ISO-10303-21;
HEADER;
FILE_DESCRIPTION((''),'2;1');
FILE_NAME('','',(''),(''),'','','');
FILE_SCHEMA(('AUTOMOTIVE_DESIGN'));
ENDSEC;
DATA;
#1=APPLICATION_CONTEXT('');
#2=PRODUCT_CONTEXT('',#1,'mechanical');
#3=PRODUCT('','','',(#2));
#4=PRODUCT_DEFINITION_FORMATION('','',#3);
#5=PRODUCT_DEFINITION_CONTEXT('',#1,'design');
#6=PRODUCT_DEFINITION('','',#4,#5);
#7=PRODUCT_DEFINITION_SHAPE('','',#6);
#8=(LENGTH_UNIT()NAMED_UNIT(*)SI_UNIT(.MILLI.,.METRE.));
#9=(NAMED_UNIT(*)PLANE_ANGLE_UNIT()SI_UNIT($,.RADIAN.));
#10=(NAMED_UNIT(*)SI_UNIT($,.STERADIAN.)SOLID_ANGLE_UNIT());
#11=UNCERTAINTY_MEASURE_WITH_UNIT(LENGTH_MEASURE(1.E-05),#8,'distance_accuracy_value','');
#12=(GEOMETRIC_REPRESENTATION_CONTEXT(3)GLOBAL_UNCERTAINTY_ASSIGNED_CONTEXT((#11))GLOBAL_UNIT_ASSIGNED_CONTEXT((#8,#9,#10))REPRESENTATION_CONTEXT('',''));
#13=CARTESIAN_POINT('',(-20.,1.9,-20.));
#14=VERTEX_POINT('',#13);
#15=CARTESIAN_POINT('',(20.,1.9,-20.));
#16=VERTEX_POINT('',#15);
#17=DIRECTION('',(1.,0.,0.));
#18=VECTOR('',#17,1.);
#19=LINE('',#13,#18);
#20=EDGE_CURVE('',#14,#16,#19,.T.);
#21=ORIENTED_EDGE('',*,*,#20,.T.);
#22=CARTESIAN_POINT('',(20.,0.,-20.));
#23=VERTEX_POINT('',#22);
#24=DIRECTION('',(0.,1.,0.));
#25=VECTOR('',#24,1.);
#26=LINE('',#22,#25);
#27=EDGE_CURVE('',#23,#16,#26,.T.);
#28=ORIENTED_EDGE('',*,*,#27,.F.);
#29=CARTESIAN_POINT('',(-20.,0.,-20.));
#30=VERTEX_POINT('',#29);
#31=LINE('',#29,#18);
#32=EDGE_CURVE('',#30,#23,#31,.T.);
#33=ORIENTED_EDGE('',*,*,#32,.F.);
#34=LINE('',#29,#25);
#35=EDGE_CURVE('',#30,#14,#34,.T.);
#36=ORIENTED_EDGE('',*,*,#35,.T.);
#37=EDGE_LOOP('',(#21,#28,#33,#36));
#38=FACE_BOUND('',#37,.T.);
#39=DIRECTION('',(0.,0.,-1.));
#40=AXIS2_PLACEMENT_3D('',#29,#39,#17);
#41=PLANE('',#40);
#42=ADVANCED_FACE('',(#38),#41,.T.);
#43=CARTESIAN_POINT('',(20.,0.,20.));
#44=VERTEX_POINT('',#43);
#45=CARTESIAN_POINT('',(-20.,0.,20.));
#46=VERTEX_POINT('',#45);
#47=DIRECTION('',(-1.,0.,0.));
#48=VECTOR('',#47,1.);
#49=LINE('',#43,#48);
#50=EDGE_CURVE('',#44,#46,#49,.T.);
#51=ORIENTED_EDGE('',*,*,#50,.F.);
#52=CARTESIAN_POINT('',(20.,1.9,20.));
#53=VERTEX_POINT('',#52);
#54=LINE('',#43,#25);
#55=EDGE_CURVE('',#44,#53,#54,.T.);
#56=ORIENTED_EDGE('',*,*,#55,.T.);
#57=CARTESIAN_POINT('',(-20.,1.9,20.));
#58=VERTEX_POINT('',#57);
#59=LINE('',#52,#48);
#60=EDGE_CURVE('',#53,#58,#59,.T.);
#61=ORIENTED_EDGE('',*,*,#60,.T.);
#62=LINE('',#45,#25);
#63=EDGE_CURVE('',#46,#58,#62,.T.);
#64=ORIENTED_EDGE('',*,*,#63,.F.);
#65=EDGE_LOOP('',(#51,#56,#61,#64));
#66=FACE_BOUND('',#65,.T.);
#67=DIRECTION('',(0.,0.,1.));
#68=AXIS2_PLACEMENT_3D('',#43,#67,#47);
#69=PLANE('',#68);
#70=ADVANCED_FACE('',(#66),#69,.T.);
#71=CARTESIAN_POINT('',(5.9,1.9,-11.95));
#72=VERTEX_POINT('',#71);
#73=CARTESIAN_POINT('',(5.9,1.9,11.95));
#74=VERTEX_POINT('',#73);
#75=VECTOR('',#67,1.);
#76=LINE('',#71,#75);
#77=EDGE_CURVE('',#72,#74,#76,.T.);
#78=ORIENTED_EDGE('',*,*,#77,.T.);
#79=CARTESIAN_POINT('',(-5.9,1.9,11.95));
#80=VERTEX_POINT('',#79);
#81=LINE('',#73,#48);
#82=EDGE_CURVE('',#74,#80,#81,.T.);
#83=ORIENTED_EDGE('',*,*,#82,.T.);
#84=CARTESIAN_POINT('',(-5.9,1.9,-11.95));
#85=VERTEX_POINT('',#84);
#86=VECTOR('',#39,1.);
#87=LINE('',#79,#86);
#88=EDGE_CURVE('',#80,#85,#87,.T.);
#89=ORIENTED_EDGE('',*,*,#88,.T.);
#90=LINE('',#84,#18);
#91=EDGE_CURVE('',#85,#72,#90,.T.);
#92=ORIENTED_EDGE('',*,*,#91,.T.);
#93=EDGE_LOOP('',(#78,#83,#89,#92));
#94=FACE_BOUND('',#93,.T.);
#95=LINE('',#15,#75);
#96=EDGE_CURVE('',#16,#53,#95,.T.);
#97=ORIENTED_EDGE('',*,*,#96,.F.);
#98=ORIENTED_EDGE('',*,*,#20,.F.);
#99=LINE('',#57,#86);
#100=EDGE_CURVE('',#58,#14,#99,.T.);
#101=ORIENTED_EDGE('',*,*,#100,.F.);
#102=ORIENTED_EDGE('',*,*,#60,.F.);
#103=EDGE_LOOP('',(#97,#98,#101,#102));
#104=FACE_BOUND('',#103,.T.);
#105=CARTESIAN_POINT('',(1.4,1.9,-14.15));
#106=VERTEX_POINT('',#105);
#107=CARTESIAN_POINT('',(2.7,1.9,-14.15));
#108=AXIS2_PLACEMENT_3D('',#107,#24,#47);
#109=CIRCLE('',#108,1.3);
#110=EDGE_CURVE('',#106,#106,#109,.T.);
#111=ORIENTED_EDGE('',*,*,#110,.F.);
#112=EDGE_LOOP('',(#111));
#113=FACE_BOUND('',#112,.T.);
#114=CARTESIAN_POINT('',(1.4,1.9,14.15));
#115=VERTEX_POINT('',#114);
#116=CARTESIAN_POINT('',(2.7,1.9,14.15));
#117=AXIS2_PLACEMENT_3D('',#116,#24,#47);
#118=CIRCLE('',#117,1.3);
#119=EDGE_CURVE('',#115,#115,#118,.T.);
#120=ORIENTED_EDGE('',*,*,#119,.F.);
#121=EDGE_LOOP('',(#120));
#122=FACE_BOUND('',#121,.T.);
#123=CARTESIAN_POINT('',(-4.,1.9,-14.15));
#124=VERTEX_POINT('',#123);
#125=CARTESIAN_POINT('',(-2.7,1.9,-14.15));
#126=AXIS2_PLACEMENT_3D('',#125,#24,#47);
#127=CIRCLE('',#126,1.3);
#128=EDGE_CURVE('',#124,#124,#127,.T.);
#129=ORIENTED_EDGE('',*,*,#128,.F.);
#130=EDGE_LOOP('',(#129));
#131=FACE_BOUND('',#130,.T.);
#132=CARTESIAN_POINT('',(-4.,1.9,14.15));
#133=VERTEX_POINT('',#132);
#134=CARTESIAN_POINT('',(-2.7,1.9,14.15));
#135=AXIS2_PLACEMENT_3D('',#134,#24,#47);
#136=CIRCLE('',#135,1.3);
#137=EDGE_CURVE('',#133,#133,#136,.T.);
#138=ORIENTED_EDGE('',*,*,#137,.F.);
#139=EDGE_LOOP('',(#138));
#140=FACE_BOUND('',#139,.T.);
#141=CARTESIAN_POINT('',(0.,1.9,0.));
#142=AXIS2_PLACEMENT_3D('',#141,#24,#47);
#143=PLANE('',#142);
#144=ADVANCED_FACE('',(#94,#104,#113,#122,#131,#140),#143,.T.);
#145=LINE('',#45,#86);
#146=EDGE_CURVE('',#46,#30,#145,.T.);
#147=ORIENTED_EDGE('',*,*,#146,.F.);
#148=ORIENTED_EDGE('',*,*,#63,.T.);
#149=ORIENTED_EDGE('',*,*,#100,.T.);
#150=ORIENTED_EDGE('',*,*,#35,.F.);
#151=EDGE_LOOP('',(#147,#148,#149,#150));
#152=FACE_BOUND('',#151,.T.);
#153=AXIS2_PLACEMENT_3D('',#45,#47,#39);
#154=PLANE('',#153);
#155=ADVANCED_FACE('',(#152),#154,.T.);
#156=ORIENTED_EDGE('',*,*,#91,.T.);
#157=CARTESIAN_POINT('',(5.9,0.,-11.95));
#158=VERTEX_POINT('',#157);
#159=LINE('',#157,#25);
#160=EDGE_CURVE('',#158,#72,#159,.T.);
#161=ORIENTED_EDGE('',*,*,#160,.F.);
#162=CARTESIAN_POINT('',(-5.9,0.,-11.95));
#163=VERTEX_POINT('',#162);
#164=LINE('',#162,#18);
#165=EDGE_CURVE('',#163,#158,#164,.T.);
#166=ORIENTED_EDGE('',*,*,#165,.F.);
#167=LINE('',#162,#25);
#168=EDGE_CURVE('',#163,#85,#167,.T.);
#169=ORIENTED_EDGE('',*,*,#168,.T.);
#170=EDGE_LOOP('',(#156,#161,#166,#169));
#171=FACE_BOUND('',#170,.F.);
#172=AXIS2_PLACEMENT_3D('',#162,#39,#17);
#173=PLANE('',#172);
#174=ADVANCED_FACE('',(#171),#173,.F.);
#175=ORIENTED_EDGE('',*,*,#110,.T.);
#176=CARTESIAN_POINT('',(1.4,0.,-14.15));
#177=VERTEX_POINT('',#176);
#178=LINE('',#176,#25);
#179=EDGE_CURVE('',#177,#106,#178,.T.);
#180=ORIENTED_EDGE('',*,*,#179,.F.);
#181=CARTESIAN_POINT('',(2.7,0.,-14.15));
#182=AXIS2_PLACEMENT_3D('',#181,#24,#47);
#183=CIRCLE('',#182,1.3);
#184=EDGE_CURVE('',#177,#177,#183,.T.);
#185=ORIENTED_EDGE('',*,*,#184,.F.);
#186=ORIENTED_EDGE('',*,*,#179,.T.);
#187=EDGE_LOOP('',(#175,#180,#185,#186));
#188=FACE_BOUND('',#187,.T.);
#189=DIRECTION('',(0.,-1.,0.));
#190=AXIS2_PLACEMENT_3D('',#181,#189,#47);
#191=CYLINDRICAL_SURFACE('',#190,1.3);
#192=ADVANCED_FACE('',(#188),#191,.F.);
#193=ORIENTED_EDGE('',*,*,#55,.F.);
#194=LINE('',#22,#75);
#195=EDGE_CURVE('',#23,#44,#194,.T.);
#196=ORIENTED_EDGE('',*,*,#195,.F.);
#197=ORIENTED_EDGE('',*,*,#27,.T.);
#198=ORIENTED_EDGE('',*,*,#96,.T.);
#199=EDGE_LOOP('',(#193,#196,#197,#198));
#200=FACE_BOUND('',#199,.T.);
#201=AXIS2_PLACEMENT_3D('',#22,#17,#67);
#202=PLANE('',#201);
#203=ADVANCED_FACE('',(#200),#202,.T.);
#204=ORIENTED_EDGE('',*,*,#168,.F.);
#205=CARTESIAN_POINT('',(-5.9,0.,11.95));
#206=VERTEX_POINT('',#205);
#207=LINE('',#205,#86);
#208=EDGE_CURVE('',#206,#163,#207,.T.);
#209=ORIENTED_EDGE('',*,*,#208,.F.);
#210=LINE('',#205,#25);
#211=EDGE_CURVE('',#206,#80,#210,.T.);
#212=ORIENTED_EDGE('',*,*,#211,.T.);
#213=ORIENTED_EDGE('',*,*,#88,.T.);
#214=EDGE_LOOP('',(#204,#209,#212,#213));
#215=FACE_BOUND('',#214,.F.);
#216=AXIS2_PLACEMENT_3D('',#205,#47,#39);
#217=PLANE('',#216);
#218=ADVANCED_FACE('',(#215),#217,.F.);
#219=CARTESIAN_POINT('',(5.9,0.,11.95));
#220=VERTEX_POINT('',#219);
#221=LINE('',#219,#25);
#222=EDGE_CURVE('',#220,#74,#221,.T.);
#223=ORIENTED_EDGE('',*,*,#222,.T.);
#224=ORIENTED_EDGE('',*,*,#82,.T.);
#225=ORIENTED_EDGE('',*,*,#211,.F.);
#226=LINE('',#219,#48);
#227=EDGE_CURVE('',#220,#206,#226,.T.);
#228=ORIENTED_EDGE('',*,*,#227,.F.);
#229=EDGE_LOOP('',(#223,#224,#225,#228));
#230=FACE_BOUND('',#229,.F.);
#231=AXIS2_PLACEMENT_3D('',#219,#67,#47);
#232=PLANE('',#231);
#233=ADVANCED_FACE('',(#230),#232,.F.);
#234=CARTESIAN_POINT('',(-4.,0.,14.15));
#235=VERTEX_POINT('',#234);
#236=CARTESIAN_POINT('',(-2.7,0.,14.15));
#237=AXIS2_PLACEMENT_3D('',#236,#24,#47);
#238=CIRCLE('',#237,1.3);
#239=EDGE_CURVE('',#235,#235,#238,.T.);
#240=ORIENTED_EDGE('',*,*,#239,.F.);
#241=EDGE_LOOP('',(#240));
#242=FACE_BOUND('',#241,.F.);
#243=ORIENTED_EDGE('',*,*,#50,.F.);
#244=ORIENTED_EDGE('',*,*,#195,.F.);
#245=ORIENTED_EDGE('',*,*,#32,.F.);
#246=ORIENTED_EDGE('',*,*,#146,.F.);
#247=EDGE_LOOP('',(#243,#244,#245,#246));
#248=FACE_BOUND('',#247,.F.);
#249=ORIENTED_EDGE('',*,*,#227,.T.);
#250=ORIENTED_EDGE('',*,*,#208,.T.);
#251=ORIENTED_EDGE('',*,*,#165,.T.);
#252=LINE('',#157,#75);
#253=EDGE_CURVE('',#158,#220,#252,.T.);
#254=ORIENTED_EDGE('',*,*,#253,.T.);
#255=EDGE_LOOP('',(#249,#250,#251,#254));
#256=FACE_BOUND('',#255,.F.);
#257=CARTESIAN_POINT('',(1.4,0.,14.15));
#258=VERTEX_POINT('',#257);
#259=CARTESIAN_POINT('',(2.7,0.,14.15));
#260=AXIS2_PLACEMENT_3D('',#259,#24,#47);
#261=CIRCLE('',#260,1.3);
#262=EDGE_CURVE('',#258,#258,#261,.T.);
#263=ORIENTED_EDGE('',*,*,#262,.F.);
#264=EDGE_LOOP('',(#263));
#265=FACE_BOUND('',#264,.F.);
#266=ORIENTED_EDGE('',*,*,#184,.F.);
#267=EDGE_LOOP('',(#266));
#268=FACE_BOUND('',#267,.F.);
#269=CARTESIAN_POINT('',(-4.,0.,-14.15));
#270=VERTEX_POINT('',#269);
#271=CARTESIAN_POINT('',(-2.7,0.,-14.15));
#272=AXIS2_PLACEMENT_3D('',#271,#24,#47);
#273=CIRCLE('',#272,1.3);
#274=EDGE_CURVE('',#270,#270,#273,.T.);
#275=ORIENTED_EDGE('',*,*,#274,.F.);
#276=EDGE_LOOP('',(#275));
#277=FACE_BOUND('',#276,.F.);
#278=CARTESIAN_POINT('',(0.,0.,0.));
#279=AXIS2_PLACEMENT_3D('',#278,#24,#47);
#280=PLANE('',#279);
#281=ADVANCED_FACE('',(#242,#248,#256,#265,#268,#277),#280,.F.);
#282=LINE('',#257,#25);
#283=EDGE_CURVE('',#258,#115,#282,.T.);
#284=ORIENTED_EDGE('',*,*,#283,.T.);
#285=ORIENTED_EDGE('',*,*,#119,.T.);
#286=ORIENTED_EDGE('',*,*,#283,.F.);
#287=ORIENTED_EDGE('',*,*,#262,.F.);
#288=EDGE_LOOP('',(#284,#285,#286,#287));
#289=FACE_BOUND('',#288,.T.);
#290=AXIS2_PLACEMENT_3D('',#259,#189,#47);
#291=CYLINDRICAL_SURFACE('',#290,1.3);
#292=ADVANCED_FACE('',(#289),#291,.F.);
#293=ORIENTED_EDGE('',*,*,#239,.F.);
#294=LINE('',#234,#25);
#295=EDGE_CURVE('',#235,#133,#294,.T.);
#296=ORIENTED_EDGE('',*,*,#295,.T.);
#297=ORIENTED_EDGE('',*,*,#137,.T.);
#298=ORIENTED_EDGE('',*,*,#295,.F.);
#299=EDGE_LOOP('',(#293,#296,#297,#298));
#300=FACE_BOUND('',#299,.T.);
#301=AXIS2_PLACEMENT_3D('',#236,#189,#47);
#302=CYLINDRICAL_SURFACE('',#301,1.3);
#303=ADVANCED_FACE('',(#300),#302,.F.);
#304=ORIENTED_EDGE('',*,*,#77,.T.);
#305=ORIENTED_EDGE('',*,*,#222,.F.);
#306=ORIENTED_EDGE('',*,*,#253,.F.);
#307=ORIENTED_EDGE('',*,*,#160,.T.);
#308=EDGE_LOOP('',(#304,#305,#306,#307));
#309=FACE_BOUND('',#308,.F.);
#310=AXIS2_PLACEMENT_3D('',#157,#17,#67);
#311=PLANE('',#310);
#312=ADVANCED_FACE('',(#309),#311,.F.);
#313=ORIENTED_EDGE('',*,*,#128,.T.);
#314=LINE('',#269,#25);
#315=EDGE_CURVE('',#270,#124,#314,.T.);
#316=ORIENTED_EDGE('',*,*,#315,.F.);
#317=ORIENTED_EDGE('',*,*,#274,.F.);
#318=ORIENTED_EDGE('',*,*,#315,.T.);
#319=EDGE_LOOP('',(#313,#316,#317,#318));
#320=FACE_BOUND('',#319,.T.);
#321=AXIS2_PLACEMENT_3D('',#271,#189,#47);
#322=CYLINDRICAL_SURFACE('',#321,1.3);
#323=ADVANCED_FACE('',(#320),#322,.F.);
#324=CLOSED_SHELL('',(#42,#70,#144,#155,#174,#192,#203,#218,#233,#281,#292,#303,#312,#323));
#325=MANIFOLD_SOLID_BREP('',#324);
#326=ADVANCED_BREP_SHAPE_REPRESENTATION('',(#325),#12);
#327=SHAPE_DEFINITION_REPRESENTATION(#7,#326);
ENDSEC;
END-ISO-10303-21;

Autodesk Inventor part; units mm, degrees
ref_plane "YZ Plane" through (0, 0, 0) normal (1, 0, 0) x (0, 1, 0)
ref_plane "XZ Plane" through (0, 0, 0) normal (0, 1, 0) x (-1, 0, 0)
ref_plane "XY Plane" through (0, 0, 0) normal (0, 0, 1) x (1, 0, 0)
sketch "Sketch1" plane through (0, 0, 0) normal (0, 1, 0) x (-1, 0, 0)
  line L0 (-5.7, 11.75) -> (5.7, 11.75) construction
  line L1 (5.7, 11.75) -> (5.7, -11.75) construction
  line L2 (5.7, -11.75) -> (-5.7, -11.75) construction
  line L3 (-5.7, -11.75) -> (-5.7, 11.75) construction
  line L4 (0, 15.7993) -> (0, -16.2311) construction
  line L5 (0, 0) -> (13.9659, 0) construction
  line L6 (-5.7, 16.15) -> (5.7, 16.15) construction
  line L7 (5.7, 16.15) -> (5.7, -16.15) construction
  line L8 (5.7, -16.15) -> (-5.7, -16.15) construction
  line L9 (-5.7, -16.15) -> (-5.7, 16.15) construction
  circle A0 centre (-2.7, 14.15) radius 1.3
  line L10 (0, 0) -> (-13.9659, 0) construction
  circle A1 centre (2.7, 14.15) radius 1.3
  circle A2 centre (-2.7, -14.15) radius 1.3
  circle A3 centre (2.7, -14.15) radius 1.3
  line L11 (-20, 20) -> (20, 20)
  line L12 (20, 20) -> (20, -20)
  line L13 (20, -20) -> (-20, -20)
  line L14 (-20, -20) -> (-20, 20)
  line L15 (0, 0) -> (0, 9.3177) construction
  line L16 (-5.9, 11.95) -> (5.9, 11.95)
  line L17 (5.9, 11.95) -> (5.9, -11.95)
  line L18 (5.9, -11.95) -> (-5.9, -11.95)
  line L19 (-5.9, -11.95) -> (-5.9, 11.95)
  dimension "d1" = 3
  dimension "d2" = 4.4
  dimension "d4" = 23.5
  dimension "d5" = 11.4
  dimension "d6" = 2.6
  dimension "d7" = 40
  dimension "d10" = 0.2
  dimension "d11" = 0.2
  dimension "d14" = 2.4
extrude "Extrusion2" add sketch "Sketch1" along normal blind 1.9
equation "\"d1\" = ServoEdgeToFixation"
equation "\"d2\" = ServoFixationLength"
equation "\"d4\" = ServoCoreLength"
equation "\"d5\" = ServoCoreWidth"
equation "\"d6\" = ServoScrewDiameterRequired"
equation "\"d10\" = ServoTraceSpacing"
equation "\"d11\" = ServoTraceSpacing"
equation "\"d14\" = ServoCoreToFixation"
equation "\"d12\" = ServoArmThickness"
equation "\"ServoTraceSpacing\" = 0.2"
equation "\"ServoEdgeToFixation\" = 3"
equation "\"ServoFixationLength\" = 4.4"
equation "\"ServoCoreLength\" = 23.5"
equation "\"ServoCoreWidth\" = 11.4"
equation "\"ServoScrewDiameterRequired\" = 2.6"
equation "\"ServoCoreToFixation\" = 2.4"
equation "\"ServoArmThickness\" = 1.9"
properties part number "ServoTrace"
